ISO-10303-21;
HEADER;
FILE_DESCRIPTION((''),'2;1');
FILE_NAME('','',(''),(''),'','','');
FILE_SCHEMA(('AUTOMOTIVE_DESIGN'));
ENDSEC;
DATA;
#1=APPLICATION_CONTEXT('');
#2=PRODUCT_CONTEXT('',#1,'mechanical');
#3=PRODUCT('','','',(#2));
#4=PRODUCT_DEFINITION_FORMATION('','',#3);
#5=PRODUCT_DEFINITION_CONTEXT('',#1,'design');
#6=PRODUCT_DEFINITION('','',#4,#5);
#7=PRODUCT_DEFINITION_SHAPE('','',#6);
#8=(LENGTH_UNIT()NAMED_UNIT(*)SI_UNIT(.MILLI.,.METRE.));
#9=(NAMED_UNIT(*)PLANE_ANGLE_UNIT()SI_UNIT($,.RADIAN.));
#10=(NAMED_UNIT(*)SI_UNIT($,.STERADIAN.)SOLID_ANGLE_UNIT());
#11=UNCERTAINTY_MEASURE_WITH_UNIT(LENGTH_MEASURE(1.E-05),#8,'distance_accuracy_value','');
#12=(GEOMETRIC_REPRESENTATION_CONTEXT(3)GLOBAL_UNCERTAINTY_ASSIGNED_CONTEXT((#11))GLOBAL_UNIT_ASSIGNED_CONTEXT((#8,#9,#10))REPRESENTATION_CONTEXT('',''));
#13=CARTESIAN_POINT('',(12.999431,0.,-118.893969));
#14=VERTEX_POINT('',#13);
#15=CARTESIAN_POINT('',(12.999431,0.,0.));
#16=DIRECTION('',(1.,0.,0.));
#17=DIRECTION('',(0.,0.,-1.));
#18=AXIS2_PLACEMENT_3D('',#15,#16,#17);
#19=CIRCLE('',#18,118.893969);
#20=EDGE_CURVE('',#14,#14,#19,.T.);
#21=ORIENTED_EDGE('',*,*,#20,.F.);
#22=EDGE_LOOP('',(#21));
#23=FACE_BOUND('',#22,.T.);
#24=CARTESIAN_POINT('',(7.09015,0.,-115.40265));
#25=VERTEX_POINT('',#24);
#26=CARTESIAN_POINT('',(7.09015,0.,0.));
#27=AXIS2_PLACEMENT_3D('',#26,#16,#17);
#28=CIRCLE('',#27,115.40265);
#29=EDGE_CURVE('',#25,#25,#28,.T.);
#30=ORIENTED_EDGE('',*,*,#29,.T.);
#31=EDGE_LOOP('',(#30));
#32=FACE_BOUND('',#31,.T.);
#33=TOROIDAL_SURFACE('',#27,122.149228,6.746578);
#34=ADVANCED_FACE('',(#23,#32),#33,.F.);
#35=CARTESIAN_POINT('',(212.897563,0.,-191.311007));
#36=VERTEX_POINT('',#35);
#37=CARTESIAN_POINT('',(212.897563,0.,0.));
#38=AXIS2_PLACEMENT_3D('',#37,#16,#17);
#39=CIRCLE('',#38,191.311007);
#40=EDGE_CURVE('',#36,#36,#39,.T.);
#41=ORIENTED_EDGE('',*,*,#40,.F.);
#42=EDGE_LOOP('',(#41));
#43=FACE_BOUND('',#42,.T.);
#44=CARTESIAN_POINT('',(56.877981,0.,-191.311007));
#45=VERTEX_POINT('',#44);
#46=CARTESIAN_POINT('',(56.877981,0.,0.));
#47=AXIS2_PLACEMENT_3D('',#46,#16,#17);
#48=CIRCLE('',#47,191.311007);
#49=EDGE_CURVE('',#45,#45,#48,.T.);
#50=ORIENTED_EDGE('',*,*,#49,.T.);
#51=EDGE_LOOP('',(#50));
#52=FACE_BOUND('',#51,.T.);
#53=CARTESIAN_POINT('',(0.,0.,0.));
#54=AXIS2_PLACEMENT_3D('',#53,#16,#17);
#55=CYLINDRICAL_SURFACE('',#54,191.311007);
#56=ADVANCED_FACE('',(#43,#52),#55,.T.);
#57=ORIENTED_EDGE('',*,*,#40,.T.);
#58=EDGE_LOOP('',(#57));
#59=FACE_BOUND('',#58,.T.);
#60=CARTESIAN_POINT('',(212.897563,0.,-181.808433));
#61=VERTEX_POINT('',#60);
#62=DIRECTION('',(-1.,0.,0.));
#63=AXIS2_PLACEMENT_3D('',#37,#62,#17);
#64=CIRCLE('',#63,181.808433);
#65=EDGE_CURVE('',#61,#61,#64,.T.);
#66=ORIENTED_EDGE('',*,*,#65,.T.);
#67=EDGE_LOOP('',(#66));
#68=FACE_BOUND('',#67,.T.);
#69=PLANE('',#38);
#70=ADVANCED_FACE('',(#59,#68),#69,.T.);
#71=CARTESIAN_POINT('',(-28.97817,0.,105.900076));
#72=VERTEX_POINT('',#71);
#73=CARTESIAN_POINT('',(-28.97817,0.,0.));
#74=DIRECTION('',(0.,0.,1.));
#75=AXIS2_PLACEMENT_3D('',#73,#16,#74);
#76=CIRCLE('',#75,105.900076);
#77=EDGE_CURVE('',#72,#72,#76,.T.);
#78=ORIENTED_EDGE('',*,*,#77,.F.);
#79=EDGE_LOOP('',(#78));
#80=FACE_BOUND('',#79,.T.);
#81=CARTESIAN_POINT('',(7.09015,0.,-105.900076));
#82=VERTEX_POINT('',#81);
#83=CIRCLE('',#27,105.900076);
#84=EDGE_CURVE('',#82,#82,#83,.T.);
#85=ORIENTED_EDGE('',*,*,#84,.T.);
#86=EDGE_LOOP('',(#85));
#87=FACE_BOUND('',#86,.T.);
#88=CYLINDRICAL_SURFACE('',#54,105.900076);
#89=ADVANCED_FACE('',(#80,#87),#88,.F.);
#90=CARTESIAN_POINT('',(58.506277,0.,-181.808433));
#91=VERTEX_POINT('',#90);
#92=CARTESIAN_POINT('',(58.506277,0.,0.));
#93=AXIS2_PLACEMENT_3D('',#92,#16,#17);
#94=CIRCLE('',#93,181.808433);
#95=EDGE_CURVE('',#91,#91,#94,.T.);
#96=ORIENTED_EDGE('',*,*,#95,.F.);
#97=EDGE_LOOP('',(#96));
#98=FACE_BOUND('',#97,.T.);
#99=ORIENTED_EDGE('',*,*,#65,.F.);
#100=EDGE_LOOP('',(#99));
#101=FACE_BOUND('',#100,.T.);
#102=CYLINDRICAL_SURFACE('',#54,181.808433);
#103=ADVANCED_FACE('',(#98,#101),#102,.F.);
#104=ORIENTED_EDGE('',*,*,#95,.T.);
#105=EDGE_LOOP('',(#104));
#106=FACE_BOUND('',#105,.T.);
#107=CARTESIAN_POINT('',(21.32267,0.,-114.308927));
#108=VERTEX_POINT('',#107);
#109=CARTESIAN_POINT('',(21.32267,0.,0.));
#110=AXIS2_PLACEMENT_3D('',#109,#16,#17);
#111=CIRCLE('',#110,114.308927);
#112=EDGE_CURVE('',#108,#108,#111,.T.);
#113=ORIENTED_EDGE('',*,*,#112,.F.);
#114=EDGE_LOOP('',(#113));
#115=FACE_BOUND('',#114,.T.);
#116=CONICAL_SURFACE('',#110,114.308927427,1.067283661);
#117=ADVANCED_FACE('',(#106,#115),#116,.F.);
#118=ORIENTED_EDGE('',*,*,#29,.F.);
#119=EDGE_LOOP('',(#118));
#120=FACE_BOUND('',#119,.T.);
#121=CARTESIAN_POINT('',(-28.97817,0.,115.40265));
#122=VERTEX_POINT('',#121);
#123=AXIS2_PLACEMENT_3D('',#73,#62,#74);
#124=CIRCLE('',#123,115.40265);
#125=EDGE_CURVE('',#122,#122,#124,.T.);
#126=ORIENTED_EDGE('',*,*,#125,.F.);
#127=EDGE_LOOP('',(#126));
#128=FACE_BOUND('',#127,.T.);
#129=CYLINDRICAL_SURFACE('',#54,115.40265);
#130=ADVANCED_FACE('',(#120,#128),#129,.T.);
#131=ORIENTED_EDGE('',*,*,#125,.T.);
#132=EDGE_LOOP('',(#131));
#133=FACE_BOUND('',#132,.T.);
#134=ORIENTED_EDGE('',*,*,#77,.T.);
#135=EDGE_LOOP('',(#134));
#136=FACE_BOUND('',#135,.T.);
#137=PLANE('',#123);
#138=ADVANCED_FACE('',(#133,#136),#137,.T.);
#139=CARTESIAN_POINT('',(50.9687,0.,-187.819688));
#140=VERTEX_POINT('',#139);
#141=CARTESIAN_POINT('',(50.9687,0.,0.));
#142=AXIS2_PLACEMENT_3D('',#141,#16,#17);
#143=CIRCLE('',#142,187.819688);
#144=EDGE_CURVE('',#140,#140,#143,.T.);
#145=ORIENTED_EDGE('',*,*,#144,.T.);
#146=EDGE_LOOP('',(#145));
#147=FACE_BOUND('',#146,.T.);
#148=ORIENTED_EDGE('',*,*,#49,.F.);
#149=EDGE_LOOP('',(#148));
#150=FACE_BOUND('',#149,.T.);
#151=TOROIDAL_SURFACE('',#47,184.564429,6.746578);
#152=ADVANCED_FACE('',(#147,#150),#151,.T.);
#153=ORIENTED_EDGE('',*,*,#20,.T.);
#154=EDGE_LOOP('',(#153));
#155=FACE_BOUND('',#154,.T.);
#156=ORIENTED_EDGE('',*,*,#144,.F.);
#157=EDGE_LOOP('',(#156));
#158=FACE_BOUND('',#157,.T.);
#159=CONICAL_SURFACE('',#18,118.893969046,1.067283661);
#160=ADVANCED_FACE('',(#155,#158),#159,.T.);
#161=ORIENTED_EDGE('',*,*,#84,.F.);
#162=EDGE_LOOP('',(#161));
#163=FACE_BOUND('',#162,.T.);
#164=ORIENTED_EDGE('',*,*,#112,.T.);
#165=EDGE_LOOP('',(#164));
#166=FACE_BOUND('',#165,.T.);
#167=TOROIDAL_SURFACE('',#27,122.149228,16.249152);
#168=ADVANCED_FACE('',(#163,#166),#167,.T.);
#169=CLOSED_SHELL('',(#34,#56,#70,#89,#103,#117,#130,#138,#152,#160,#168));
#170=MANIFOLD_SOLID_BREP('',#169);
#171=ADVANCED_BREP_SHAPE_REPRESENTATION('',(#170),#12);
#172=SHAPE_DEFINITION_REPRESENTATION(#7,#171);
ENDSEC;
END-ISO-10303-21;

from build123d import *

# Parameters (mm, degrees)
SKETCH81_W          = 180
SKETCH81_H          = 433.466768404
EXTRUDE1_DEPTH      = 189
EXTRUDE1_DEPTH_BACK = 4.64655855
BOSS_EXTRUDE1_DEPTH = 25.4
BOSS_EXTRUDE2_DEPTH = 25.4
SCALE1_SCALE        = 0.99764556
SKETCH86_W          = 340
SKETCH86_H          = 440
CUT_EXTRUDE3_DEPTH  = 25.841374544
REVOLVE1_ANGLE      = 180


with BuildPart() as part:
    # Sketch1 → Revolve-Thin1 (revolve)
    with BuildSketch(Plane.XY, mode=Mode.PRIVATE) as revolve_thin1_sk:
        with BuildLine():
            Line((188, 191.7625), (57.01221252, 191.7625))
            ThreePointArc((57.01221252, 191.7625), (53.572316909, 190.822243935), (51.088985501, 188.262941607))
            Line((51.088985501, 188.262941607), (13.030109919, 119.174558393))
            ThreePointArc((13.030109919, 119.174558393), (10.546778511, 116.615256065), (7.1068829, 115.675))
            Line((7.1068829, 115.675), (-3.64655855, 115.675))
            Line((-3.64655855, 115.675), (-3.64655855, 106.15))
            Line((-3.64655855, 106.15), (7.1068829, 106.15))
            ThreePointArc((7.1068829, 106.15), (15.391881017, 108.41460934), (21.372991598, 114.578696092))
            Line((21.372991598, 114.578696092), (58.64435156, 182.2375))
            Line((58.64435156, 182.2375), (188, 182.2375))
            Line((188, 182.2375), (188, 191.7625))
        make_face()
    revolve(revolve_thin1_sk.sketch.rotate(Axis((0, 0, 0), (1, 0, 0)), 270), axis=Axis((0, 0, 0), (1, 0, 0)))  # turned: the seam where the file's is

    # Sketch81 → Extrude1 (cut, two sides)
    with BuildSketch(Plane(origin=(0, 0, 0), x_dir=(0, 0, -1), z_dir=(1, 0, 0))) as extrude1_sk:
        with Locations((-114.9, 1.572115024)):
            Rectangle(SKETCH81_W, SKETCH81_H)
    extrude(amount=EXTRUDE1_DEPTH, mode=Mode.SUBTRACT)
    extrude(extrude1_sk.sketch, amount=-EXTRUDE1_DEPTH_BACK, mode=Mode.SUBTRACT)

    # Sketch82 → Boss-Extrude1 (add)
    with BuildSketch(Plane.ZY.offset(3.64655855)):
        with BuildLine():
            Line((24.9, 103.188238186), (24.9, 112.963249002))
            ThreePointArc((24.9, 112.963249002), (-115.675, 0), (24.9, -112.963249002))
            Line((24.9, -112.963249002), (24.9, -103.188238186))
            ThreePointArc((24.9, -103.188238186), (-106.15, 0), (24.9, 103.188238186))
        make_face()
    extrude(amount=BOSS_EXTRUDE1_DEPTH)

    # Sketch83 → Boss-Extrude2 (add)
    with BuildSketch(Plane(origin=(188, 0, 0), x_dir=(0, 0, -1), z_dir=(1, 0, 0))):
        with BuildLine():
            Line((-24.9, -180.528381166), (-24.9, -190.139018632))
            ThreePointArc((-24.9, -190.139018632), (191.7625, 0), (-24.9, 190.139018632))
            Line((-24.9, 190.139018632), (-24.9, 180.528381166))
            ThreePointArc((-24.9, 180.528381166), (182.2375, 0), (-24.9, -180.528381166))
        make_face()
    extrude(amount=BOSS_EXTRUDE2_DEPTH)


with BuildPart() as part_1:
    # Scale1: scaled about (0, 0, 0)
    add(part.part.scale(SCALE1_SCALE))

    # Sketch86 → Cut-Extrude3 (cut, through all)
    with BuildSketch(Plane.XY):
        with Locations((100, 0)):
            Rectangle(SKETCH86_W, SKETCH86_H)
    extrude(amount=CUT_EXTRUDE3_DEPTH, mode=Mode.SUBTRACT)

    # Sketch87 → Revolve1 (revolve)
    with BuildSketch(Plane.XY):
        with BuildLine():
            Line((58.506276953, 181.808432741), (212.897562504, 181.808432741))
            Line((212.897562504, 181.808432741), (212.897562504, 191.3110067))
            Line((212.897562504, 191.3110067), (56.877980686, 191.3110067))
            ThreePointArc((56.877980686, 191.3110067), (53.446184103, 190.372964411), (50.96869955, 187.819687807))
            Line((50.96869955, 187.819687807), (12.999431307, 118.893969046))
            ThreePointArc((12.999431307, 118.893969046), (10.521946754, 116.340692442), (7.090150171, 115.402650153))
            Line((7.090150171, 115.402650153), (-28.978170171, 115.402650153))
            Line((-28.978170171, 115.402650153), (-28.978170171, 105.900076194))
            Line((-28.978170171, 105.900076194), (7.090150171, 105.900076194))
            ThreePointArc((7.090150171, 105.900076194), (15.355641757, 108.159353648), (21.322670172, 114.308927427))
            Line((21.322670172, 114.308927427), (58.506276953, 181.808432741))
        make_face()
    revolve(axis=Axis((224.991349138, 0, 0), (1, 0, 0)), revolution_arc=REVOLVE1_ANGLE)


solid = part_1.part
